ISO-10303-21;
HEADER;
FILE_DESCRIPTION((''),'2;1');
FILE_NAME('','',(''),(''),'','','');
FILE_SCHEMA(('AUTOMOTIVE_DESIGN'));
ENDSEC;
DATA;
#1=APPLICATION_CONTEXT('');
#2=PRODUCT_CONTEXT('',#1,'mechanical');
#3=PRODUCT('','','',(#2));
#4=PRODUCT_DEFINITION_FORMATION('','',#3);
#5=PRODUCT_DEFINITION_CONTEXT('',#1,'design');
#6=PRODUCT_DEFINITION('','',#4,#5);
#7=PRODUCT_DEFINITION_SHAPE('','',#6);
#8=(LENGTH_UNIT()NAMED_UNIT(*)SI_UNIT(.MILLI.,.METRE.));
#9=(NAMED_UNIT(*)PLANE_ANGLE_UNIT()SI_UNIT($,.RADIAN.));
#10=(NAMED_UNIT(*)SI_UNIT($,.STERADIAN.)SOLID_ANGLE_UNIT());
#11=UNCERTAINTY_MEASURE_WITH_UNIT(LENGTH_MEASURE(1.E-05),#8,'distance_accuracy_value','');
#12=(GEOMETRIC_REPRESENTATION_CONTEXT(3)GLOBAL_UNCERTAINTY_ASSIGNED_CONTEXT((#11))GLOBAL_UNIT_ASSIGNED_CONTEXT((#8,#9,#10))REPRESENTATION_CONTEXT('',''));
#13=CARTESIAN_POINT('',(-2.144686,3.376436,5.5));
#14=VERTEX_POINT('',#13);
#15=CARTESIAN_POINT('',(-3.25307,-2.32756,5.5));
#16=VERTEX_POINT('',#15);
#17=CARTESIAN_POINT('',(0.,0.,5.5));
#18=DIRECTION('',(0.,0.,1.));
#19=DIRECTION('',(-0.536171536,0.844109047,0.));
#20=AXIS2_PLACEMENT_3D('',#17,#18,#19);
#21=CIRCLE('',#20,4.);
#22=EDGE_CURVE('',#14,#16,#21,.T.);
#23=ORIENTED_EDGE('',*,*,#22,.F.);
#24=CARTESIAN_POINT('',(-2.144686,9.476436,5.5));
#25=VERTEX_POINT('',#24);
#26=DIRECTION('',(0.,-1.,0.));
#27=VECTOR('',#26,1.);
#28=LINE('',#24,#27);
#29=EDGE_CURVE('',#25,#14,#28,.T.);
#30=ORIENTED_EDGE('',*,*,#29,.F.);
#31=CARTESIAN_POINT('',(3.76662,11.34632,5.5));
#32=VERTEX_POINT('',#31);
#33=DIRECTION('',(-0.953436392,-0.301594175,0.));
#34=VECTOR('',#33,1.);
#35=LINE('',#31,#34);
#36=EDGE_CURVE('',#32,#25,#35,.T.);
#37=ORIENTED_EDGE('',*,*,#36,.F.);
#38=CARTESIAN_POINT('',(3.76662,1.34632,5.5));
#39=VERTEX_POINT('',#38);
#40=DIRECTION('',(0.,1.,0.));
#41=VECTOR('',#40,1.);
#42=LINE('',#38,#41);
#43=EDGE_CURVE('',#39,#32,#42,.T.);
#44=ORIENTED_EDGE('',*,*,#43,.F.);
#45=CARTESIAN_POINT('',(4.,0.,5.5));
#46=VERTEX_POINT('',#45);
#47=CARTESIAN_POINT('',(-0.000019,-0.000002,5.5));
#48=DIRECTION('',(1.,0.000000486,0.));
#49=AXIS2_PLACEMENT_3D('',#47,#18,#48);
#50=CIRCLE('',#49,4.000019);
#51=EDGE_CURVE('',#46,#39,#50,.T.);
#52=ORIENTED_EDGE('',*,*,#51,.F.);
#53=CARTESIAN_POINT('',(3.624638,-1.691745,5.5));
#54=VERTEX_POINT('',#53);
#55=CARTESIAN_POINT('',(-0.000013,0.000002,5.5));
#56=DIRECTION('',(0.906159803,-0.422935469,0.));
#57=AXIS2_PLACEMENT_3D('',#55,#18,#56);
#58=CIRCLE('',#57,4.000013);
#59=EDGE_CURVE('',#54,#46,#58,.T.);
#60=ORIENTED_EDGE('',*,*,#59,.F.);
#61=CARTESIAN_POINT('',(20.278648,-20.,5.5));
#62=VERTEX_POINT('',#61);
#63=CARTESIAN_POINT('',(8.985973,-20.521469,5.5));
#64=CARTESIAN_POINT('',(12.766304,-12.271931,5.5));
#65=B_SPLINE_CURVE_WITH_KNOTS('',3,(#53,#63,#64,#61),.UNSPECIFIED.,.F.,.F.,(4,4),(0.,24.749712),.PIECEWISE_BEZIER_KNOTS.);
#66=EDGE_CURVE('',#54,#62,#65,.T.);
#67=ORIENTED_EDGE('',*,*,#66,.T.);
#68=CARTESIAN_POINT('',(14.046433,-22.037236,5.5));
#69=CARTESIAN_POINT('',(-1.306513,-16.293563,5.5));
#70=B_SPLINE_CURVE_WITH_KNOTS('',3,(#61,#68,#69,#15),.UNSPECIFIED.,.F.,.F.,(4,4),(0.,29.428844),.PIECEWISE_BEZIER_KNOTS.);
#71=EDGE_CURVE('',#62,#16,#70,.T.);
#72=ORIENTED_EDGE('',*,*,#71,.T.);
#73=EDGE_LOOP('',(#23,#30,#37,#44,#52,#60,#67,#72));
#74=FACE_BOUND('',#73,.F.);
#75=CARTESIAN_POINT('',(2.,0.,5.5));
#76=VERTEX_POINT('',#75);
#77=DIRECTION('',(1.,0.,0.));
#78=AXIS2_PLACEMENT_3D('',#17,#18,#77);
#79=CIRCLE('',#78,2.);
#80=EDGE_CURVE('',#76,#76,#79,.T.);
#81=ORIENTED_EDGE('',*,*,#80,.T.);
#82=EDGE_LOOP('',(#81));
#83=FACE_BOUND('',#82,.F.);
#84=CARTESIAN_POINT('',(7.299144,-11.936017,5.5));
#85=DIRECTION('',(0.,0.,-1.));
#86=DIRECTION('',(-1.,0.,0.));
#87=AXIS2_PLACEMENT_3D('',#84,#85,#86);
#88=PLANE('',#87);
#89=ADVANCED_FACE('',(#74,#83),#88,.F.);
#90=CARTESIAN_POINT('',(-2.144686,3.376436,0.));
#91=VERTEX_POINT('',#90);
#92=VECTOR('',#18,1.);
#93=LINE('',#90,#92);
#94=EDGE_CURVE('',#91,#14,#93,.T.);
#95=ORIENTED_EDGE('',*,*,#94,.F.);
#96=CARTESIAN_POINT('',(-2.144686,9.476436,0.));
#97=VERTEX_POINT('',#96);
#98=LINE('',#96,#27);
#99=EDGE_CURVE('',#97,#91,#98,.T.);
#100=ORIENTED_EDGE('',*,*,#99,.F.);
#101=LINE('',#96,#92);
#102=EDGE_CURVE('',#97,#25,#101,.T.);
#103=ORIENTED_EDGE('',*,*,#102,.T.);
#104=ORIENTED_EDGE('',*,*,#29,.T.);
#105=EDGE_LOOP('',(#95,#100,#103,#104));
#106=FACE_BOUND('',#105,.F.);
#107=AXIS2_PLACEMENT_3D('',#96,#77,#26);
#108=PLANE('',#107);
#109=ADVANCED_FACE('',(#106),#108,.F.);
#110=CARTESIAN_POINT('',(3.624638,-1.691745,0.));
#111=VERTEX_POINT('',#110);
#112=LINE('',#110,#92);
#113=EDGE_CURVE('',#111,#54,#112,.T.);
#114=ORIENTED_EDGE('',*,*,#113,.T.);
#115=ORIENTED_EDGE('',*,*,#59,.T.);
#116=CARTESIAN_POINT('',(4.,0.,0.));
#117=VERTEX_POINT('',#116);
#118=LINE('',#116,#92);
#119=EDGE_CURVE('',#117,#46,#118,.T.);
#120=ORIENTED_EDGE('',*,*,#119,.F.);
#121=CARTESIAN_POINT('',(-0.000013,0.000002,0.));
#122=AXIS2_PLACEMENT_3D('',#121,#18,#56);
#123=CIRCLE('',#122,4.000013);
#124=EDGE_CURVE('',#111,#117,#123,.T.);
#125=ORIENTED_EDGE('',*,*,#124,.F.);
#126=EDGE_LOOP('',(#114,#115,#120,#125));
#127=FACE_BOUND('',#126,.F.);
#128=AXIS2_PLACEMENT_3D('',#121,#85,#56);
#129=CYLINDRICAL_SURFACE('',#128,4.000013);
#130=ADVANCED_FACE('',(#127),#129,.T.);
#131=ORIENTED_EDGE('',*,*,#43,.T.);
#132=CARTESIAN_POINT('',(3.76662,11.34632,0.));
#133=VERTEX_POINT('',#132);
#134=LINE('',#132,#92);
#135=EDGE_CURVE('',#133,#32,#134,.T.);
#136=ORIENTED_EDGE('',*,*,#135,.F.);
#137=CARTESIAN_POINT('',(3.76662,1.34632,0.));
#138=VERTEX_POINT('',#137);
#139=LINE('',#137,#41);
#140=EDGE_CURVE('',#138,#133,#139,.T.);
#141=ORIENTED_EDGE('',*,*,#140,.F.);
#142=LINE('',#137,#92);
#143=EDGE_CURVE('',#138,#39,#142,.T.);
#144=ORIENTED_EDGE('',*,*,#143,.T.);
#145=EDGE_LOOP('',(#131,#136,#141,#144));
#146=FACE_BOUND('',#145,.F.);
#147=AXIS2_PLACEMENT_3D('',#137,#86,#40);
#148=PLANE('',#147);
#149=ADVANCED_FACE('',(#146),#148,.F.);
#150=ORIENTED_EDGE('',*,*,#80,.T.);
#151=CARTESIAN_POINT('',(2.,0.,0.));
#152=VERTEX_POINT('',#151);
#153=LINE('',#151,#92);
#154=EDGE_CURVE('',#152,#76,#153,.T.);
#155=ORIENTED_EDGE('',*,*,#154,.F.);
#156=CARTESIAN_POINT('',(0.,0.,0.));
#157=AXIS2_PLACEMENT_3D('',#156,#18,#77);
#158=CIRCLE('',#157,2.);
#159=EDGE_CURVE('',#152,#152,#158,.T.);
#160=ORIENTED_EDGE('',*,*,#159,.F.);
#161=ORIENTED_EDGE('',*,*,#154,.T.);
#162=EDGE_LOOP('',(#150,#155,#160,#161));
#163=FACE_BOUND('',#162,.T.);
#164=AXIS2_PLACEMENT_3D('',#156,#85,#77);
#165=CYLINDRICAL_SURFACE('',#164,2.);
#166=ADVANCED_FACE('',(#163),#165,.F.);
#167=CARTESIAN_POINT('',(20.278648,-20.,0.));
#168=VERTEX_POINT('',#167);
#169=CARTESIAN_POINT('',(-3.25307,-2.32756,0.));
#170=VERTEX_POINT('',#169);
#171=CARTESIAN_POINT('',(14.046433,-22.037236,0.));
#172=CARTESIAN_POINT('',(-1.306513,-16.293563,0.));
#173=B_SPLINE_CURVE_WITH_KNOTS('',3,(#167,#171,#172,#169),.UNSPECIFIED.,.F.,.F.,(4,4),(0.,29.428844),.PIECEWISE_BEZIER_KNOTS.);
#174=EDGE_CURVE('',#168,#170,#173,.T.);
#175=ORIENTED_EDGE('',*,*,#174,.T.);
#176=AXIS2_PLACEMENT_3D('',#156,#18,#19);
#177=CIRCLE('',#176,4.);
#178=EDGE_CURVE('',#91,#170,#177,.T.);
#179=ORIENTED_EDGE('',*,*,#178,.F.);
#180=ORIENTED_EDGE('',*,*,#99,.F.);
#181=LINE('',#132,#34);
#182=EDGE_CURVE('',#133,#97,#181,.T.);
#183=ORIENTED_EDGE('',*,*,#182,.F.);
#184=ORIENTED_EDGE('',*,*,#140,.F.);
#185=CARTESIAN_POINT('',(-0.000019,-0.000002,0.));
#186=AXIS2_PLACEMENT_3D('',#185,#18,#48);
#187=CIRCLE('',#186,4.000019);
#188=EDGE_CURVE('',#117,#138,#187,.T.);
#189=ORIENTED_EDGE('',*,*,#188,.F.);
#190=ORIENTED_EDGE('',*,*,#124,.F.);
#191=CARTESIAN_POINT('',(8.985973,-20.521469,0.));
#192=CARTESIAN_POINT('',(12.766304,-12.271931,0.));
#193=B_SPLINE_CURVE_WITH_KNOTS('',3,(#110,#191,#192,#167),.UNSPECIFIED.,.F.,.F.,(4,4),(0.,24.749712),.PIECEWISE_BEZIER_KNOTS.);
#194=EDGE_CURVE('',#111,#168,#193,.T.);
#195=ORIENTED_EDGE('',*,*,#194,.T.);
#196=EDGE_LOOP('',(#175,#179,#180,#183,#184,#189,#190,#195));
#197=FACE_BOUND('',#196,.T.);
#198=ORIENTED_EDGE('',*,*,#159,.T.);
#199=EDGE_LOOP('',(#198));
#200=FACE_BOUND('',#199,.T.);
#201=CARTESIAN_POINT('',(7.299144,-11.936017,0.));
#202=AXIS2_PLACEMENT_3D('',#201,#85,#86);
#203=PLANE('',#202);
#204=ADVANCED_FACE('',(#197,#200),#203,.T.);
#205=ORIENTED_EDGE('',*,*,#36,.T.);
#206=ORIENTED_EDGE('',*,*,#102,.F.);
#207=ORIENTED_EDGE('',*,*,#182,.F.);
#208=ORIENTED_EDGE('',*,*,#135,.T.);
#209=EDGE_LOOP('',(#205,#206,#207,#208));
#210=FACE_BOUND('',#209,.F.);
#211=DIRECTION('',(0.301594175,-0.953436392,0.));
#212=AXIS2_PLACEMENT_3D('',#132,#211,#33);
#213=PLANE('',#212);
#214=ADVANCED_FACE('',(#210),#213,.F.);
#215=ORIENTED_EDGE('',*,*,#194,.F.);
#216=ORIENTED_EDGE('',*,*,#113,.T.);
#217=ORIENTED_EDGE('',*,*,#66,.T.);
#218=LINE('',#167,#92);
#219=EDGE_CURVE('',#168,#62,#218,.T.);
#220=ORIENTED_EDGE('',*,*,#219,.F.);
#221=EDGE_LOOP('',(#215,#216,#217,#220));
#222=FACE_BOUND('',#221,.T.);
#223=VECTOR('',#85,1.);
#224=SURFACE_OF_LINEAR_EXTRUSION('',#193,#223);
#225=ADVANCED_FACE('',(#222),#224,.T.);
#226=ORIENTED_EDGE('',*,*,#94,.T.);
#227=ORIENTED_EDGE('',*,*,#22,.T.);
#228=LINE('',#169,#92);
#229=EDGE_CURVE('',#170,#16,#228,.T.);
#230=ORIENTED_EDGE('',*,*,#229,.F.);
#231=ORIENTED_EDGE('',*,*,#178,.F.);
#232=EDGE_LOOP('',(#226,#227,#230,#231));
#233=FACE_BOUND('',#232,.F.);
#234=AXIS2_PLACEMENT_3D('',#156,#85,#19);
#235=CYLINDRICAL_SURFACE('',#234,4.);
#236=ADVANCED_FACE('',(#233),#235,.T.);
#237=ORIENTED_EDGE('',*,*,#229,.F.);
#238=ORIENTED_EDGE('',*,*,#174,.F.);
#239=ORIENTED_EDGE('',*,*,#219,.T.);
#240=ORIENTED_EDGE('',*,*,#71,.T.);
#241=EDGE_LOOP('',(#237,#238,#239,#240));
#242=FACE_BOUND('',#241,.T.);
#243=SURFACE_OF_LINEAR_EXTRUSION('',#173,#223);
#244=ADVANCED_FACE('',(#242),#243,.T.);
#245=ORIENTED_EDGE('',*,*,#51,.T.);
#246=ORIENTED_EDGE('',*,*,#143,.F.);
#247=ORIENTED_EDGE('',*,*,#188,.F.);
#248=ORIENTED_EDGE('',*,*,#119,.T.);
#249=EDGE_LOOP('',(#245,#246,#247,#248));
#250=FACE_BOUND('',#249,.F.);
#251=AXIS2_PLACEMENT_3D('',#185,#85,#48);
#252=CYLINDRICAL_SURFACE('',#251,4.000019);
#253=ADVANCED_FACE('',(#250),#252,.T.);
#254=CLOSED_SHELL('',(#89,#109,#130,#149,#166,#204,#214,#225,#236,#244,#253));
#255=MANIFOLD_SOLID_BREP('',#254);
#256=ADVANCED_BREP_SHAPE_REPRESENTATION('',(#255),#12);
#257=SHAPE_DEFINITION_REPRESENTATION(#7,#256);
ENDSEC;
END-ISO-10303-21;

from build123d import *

# Parameters (mm, degrees)
F0_R     = 2
F1_DEPTH = 5.5


with BuildPart() as f1:
    # F0 (on Top) → F1 (new body)
    with BuildSketch(Plane.XY):
        with BuildLine():
            add(Edge.make_bspline(
                [(3.624638, -1.691745), (8.985973, -20.521469), (12.766304, -12.271931), (20.278648, -20)],
                knots=[0, 0, 0, 0, 24.749712, 24.749712, 24.749712, 24.749712], degree=3))
            ThreePointArc((3.624638, -1.691745), (0.368213, -3.983016), (-3.25307, -2.32756))
            add(Edge.make_bspline(
                [(20.278648, -20), (14.046433, -22.037236), (-1.306513, -16.293563), (-3.25307, -2.32756)],
                knots=[0, 0, 0, 0, 29.428844, 29.428844, 29.428844, 29.428844], degree=3))
        make_face()
        with BuildLine():
            ThreePointArc((3.624638, -1.691745), (3.905032, -0.866443), (4, 0))
            ThreePointArc((4, 0), (3.941223, 0.683199), (3.76662, 1.34632))
            ThreePointArc((3.76662, 1.34632), (1.299234, 3.783119), (-2.144686, 3.376436))
            ThreePointArc((-2.144686, 3.376436), (-3.926555, 0.762997), (-3.25307, -2.32756))
            ThreePointArc((-3.25307, -2.32756), (0.368213, -3.983016), (3.624638, -1.691745))
        make_face()
        Circle(F0_R, mode=Mode.SUBTRACT)
        with BuildLine():
            ThreePointArc((-2.144686, 3.376436), (1.299234, 3.783119), (3.76662, 1.34632))
            Line((3.76662, 1.34632), (3.76662, 11.34632))
            Line((3.76662, 11.34632), (-2.144686, 9.476436))
            Line((-2.144686, 9.476436), (-2.144686, 3.376436))
        make_face()
    extrude(amount=F1_DEPTH)


solid = f1.part
